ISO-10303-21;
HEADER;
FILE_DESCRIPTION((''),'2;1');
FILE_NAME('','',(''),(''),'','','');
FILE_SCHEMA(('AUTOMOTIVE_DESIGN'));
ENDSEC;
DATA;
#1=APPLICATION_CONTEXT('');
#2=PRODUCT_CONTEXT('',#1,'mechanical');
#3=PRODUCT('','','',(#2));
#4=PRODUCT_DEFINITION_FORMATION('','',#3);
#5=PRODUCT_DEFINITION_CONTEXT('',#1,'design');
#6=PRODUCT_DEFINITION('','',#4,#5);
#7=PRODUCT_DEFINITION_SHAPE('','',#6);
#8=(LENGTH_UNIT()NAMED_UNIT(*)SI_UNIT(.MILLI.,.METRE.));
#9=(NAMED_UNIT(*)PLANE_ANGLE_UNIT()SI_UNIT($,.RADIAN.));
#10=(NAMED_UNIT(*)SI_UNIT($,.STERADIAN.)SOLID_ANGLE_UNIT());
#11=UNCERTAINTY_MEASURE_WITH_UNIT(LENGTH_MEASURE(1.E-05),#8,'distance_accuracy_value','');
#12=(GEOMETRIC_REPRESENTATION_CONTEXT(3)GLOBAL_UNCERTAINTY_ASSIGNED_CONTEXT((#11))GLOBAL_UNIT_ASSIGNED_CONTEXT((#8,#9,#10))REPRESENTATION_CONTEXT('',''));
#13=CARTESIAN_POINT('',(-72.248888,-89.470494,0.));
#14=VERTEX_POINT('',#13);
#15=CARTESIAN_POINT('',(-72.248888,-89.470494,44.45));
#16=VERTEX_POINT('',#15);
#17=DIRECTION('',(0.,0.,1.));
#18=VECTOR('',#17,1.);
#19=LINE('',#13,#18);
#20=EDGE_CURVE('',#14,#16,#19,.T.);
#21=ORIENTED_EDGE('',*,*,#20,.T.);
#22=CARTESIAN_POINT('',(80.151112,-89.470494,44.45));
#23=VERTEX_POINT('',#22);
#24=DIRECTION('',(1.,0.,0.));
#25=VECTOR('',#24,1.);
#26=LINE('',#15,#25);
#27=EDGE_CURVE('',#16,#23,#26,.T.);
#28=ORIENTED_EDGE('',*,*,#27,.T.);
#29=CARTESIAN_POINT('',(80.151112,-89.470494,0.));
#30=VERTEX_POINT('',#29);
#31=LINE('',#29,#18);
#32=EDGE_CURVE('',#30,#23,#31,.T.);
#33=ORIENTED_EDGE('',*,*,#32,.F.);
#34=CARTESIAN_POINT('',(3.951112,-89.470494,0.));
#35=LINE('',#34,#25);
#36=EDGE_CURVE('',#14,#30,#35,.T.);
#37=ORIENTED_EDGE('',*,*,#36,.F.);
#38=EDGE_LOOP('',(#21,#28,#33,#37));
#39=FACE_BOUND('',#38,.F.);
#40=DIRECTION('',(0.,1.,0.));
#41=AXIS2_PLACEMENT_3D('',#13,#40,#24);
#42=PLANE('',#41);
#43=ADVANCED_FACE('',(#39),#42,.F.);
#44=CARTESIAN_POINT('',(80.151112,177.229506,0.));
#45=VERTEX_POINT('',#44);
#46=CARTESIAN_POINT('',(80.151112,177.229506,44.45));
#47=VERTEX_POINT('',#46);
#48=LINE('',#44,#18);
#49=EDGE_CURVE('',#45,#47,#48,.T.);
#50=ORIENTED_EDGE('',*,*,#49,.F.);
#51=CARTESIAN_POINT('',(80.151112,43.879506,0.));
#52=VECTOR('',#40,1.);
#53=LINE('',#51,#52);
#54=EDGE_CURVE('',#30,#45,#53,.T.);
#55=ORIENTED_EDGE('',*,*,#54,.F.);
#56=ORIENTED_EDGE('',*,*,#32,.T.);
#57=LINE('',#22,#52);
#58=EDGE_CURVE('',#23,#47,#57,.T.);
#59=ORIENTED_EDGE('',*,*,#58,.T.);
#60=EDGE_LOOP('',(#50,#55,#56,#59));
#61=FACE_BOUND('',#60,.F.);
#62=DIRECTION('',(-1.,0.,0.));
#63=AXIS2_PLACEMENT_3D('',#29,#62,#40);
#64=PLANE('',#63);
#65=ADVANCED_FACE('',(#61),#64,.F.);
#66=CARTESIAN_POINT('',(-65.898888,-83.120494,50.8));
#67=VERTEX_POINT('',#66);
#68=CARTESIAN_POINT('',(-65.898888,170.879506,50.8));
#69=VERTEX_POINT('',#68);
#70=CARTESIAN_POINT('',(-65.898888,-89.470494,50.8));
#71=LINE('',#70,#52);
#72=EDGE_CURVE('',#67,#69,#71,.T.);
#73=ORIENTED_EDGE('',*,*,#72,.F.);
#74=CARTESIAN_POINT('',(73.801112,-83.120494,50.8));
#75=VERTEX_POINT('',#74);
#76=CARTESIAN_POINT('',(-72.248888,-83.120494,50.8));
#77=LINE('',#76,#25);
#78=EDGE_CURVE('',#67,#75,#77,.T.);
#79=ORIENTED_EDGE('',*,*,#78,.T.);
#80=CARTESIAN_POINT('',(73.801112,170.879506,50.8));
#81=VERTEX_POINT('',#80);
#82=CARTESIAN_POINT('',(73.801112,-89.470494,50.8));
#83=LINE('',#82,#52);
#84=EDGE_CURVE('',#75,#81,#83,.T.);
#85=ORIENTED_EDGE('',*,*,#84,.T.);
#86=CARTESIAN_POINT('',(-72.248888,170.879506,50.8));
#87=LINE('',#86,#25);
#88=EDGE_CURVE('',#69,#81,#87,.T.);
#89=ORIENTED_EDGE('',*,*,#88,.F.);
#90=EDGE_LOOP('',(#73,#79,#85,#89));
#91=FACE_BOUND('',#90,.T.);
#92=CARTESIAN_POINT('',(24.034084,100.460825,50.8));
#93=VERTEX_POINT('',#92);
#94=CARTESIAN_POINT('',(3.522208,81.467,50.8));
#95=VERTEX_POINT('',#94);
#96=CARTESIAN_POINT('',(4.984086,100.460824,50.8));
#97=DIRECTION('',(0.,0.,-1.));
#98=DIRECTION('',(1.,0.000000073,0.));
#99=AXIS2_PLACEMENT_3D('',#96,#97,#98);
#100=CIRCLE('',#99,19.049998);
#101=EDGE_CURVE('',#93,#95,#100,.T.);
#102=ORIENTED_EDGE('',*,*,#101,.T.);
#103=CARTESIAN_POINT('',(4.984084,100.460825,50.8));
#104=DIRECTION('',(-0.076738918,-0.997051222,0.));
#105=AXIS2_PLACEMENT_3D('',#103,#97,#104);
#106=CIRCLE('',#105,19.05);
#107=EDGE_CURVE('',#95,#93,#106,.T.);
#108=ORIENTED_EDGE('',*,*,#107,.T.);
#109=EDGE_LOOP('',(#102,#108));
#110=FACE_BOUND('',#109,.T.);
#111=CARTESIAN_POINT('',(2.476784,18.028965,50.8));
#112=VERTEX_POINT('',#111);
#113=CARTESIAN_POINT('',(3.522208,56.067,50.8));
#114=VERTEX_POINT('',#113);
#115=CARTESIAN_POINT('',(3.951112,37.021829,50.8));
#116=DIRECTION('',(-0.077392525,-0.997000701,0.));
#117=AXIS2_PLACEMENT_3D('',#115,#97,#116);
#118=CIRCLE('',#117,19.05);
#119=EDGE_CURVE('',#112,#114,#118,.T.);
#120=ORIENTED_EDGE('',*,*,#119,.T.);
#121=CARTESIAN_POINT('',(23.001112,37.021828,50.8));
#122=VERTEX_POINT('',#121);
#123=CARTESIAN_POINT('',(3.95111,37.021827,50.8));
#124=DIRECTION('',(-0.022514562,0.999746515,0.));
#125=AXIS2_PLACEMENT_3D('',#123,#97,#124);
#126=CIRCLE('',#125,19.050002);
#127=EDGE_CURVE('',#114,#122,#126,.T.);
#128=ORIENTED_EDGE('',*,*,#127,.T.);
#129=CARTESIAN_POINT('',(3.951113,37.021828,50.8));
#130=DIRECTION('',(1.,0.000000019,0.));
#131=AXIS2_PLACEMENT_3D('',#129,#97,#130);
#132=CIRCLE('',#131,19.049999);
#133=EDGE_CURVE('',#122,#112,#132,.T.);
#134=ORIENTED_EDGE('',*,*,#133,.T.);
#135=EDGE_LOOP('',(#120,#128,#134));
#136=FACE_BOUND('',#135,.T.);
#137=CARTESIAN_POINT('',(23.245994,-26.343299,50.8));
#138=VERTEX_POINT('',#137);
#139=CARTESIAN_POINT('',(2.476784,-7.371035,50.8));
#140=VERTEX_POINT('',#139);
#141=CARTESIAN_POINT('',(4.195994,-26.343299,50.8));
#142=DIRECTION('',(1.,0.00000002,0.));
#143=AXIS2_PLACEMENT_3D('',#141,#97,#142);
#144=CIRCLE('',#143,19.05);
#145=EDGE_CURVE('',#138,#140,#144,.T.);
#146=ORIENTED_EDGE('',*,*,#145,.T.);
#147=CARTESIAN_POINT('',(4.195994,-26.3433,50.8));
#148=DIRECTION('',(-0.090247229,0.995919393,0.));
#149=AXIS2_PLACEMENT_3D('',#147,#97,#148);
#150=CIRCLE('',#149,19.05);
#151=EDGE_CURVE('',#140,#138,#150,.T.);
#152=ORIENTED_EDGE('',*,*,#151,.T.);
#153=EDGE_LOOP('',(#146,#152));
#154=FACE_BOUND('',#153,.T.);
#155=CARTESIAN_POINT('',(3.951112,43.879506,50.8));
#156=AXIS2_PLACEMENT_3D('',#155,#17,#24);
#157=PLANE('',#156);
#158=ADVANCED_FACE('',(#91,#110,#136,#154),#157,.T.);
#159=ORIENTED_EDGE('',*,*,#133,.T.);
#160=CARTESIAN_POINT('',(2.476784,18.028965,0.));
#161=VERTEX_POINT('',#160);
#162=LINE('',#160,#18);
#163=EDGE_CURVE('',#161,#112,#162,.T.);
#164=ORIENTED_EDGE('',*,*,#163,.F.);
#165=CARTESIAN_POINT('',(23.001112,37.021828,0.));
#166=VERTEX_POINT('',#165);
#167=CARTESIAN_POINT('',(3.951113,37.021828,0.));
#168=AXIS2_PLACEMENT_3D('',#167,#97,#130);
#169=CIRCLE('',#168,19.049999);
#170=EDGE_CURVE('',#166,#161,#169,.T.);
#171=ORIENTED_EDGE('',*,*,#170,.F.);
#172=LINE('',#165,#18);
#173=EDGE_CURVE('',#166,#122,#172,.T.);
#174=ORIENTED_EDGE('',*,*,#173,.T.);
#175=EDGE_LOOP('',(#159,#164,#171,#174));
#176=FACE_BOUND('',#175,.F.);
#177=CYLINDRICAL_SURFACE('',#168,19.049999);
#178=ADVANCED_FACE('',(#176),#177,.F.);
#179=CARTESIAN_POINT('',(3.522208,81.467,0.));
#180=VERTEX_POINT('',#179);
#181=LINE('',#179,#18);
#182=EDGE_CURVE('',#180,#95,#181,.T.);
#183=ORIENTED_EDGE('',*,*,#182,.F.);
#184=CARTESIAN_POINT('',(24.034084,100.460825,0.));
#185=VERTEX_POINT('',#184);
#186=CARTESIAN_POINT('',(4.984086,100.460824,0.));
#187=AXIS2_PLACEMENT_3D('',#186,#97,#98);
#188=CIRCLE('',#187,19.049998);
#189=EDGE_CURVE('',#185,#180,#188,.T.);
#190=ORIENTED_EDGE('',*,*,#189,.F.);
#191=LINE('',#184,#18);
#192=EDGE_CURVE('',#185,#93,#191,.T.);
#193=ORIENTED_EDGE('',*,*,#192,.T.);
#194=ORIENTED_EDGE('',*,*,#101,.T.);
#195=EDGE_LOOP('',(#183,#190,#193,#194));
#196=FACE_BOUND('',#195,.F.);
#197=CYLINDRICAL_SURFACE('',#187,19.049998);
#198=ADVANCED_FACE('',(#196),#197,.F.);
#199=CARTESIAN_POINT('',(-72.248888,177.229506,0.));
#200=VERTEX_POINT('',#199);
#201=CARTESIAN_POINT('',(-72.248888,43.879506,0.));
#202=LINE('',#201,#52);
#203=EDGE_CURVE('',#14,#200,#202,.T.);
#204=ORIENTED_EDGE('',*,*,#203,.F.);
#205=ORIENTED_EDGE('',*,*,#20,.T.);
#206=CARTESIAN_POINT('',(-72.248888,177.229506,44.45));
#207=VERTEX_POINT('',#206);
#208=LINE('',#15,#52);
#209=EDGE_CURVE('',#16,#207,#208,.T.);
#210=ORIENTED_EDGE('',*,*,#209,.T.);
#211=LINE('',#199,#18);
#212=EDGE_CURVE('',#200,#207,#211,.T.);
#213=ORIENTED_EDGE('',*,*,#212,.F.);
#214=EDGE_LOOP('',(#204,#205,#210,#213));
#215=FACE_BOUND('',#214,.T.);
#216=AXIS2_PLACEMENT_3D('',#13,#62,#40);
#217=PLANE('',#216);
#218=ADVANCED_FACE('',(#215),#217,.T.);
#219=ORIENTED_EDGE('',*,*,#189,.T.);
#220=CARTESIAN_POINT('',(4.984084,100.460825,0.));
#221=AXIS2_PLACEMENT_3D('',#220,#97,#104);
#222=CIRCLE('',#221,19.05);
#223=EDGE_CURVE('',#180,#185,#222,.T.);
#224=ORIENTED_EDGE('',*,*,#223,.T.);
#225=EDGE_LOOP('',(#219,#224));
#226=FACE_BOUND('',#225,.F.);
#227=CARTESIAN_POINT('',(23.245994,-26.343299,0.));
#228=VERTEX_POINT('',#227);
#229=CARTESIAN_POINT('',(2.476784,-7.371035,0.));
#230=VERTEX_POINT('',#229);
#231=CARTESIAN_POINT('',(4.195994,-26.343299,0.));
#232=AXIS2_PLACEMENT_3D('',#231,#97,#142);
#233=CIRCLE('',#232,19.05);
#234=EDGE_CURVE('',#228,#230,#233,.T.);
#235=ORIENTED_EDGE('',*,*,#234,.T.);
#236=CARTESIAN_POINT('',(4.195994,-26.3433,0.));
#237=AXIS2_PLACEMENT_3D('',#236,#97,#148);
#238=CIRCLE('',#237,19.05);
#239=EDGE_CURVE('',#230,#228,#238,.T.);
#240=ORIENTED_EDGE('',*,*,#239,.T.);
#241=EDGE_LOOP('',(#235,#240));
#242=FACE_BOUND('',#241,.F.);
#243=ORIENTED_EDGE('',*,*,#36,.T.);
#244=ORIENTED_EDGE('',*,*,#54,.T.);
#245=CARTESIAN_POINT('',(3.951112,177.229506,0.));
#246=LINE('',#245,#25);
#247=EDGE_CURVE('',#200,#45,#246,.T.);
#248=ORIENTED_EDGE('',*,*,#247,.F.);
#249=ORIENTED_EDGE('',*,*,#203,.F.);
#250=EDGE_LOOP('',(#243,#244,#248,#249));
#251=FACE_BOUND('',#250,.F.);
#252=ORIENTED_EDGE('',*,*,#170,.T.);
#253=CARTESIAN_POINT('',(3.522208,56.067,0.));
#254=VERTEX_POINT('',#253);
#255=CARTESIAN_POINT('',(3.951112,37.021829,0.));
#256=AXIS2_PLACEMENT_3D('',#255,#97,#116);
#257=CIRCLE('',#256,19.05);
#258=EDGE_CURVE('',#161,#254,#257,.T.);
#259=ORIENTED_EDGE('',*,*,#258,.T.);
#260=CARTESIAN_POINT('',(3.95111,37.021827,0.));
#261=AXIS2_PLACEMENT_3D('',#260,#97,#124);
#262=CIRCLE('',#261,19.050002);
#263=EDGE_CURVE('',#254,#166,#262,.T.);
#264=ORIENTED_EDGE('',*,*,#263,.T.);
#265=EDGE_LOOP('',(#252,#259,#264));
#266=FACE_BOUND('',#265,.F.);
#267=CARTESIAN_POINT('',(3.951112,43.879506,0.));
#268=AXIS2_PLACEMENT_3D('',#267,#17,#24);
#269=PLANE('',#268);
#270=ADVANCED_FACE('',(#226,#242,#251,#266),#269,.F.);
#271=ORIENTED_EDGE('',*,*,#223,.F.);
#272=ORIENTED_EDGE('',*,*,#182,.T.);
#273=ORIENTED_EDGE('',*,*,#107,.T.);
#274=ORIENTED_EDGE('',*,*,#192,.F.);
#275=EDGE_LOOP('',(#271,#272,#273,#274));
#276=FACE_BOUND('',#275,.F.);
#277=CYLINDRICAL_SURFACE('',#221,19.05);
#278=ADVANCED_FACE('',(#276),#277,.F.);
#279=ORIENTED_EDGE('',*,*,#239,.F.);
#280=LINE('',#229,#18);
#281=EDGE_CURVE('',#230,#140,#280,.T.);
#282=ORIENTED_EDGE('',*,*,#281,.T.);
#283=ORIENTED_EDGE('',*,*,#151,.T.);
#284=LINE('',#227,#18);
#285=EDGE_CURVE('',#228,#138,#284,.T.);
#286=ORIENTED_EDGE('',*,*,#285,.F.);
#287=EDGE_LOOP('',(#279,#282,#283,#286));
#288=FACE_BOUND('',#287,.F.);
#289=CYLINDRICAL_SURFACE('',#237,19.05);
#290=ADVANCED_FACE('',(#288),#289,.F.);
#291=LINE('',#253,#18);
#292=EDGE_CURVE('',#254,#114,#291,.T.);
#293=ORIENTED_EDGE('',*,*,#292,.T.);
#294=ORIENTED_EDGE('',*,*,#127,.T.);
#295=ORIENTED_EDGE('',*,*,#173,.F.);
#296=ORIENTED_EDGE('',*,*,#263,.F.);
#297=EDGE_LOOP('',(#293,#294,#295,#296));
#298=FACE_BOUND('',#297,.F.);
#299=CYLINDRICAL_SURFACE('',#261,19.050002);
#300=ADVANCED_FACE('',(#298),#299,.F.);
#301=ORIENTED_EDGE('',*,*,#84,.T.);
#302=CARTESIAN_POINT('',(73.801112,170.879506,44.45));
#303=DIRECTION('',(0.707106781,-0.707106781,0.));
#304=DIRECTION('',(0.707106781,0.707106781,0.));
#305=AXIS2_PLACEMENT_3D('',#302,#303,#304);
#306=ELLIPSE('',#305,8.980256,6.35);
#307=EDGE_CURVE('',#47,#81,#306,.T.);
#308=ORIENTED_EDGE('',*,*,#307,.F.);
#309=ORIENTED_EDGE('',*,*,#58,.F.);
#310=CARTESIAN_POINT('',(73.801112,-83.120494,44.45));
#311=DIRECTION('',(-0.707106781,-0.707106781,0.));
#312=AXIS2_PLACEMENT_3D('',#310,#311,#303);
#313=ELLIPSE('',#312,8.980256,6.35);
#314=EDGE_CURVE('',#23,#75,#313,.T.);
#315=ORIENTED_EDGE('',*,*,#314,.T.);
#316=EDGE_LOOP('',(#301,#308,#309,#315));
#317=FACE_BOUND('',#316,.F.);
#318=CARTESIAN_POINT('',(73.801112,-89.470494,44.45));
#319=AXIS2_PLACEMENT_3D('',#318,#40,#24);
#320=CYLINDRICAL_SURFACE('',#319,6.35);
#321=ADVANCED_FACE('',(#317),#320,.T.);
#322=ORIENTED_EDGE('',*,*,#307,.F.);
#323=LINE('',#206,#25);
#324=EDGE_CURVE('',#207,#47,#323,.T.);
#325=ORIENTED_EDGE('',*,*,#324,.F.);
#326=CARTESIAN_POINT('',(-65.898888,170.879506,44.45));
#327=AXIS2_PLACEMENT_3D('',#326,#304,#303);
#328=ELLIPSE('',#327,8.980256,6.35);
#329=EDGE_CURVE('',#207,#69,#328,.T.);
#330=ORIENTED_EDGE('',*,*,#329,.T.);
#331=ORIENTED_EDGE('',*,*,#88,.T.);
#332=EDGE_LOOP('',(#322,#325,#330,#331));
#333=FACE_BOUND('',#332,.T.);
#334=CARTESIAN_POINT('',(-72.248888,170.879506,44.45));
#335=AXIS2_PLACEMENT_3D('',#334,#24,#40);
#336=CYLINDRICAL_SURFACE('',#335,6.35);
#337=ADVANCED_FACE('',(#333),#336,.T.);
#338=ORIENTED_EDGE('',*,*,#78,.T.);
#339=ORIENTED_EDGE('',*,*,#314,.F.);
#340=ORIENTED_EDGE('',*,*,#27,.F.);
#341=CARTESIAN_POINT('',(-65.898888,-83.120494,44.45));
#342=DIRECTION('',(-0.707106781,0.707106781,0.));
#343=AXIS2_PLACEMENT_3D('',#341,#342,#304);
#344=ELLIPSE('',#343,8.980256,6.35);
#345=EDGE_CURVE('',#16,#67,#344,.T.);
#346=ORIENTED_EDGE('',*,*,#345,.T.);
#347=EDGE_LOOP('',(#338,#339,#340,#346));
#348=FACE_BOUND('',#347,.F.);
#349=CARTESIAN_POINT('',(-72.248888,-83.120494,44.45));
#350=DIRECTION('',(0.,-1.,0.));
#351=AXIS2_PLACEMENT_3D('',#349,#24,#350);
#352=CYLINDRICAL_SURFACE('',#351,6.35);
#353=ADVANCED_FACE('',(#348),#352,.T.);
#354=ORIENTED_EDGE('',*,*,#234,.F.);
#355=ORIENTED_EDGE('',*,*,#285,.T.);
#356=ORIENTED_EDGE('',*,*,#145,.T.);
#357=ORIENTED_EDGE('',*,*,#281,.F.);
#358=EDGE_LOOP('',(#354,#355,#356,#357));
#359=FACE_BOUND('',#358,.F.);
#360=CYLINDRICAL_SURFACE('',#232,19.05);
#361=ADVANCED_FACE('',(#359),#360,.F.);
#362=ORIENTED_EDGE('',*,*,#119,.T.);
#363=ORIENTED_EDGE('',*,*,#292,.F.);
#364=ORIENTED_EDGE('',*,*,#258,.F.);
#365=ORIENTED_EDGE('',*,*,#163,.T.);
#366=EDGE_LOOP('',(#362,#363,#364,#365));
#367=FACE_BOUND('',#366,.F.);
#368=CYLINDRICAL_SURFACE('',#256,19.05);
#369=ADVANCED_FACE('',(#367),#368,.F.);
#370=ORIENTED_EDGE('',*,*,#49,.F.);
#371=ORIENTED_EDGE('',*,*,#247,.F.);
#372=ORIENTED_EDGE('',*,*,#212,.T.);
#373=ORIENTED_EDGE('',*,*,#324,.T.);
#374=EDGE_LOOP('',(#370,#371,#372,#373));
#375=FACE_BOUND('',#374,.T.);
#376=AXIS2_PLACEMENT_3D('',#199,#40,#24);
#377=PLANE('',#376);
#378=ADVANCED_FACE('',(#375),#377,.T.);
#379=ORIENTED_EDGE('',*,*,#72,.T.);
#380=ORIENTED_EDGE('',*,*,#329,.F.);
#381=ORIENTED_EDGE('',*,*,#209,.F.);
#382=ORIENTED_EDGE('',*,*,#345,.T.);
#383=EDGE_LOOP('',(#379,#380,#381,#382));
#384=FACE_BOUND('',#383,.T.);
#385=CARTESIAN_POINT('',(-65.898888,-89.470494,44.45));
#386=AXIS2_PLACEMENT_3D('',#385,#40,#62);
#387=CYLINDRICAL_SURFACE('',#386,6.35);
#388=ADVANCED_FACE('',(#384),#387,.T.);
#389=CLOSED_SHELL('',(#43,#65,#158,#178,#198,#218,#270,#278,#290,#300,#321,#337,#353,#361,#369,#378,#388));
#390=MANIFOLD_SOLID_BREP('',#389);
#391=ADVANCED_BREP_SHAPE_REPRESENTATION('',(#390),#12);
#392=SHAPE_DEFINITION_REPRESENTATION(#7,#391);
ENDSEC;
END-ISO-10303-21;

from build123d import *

# Parameters (mm, degrees)
F0_W     = 152.4
F0_H     = 266.7
F1_DEPTH = 50.8
F2_R     = 6.35


with BuildPart() as f1:
    # F0 (on Top) → F1 (new body)
    with BuildSketch(Plane.XY):
        with Locations((3.951112, 43.879506)):
            Rectangle(F0_W, F0_H)
        with BuildLine():
            ThreePointArc((23.245994, -26.343299), (-8.652188, -40.408388), (2.476784, -7.371035))
            ThreePointArc((2.476784, -7.371035), (17.044175, -12.27821), (23.245994, -26.343299))
        make_face(mode=Mode.SUBTRACT)
        with BuildLine():
            ThreePointArc((3.522208, 56.067), (17.268992, 50.643009), (23.001112, 37.021828))
            ThreePointArc((23.001112, 37.021828), (16.889747, 23.039903), (2.476784, 18.028965))
            ThreePointArc((2.476784, 18.028965), (-15.091698, 37.545195), (3.522208, 56.067))
        make_face(mode=Mode.SUBTRACT)
        with BuildLine():
            ThreePointArc((24.034084, 100.460825), (17.927302, 86.483142), (3.522208, 81.467))
            ThreePointArc((3.522208, 81.467), (-7.959133, 114.438508), (24.034084, 100.460825))
        make_face(mode=Mode.SUBTRACT)
    extrude(amount=F1_DEPTH)

    # F2
    f2_edges = [f1.edges().sort_by_distance(p)[0] for p in [
        (3.951112, -89.470494, 50.8),
        (80.151112, 43.879506, 50.8),
        (3.951112, 177.229506, 50.8),
        (-72.248888, 43.879506, 50.8),
    ]]
    fillet(f2_edges, radius=F2_R)


solid = f1.part
